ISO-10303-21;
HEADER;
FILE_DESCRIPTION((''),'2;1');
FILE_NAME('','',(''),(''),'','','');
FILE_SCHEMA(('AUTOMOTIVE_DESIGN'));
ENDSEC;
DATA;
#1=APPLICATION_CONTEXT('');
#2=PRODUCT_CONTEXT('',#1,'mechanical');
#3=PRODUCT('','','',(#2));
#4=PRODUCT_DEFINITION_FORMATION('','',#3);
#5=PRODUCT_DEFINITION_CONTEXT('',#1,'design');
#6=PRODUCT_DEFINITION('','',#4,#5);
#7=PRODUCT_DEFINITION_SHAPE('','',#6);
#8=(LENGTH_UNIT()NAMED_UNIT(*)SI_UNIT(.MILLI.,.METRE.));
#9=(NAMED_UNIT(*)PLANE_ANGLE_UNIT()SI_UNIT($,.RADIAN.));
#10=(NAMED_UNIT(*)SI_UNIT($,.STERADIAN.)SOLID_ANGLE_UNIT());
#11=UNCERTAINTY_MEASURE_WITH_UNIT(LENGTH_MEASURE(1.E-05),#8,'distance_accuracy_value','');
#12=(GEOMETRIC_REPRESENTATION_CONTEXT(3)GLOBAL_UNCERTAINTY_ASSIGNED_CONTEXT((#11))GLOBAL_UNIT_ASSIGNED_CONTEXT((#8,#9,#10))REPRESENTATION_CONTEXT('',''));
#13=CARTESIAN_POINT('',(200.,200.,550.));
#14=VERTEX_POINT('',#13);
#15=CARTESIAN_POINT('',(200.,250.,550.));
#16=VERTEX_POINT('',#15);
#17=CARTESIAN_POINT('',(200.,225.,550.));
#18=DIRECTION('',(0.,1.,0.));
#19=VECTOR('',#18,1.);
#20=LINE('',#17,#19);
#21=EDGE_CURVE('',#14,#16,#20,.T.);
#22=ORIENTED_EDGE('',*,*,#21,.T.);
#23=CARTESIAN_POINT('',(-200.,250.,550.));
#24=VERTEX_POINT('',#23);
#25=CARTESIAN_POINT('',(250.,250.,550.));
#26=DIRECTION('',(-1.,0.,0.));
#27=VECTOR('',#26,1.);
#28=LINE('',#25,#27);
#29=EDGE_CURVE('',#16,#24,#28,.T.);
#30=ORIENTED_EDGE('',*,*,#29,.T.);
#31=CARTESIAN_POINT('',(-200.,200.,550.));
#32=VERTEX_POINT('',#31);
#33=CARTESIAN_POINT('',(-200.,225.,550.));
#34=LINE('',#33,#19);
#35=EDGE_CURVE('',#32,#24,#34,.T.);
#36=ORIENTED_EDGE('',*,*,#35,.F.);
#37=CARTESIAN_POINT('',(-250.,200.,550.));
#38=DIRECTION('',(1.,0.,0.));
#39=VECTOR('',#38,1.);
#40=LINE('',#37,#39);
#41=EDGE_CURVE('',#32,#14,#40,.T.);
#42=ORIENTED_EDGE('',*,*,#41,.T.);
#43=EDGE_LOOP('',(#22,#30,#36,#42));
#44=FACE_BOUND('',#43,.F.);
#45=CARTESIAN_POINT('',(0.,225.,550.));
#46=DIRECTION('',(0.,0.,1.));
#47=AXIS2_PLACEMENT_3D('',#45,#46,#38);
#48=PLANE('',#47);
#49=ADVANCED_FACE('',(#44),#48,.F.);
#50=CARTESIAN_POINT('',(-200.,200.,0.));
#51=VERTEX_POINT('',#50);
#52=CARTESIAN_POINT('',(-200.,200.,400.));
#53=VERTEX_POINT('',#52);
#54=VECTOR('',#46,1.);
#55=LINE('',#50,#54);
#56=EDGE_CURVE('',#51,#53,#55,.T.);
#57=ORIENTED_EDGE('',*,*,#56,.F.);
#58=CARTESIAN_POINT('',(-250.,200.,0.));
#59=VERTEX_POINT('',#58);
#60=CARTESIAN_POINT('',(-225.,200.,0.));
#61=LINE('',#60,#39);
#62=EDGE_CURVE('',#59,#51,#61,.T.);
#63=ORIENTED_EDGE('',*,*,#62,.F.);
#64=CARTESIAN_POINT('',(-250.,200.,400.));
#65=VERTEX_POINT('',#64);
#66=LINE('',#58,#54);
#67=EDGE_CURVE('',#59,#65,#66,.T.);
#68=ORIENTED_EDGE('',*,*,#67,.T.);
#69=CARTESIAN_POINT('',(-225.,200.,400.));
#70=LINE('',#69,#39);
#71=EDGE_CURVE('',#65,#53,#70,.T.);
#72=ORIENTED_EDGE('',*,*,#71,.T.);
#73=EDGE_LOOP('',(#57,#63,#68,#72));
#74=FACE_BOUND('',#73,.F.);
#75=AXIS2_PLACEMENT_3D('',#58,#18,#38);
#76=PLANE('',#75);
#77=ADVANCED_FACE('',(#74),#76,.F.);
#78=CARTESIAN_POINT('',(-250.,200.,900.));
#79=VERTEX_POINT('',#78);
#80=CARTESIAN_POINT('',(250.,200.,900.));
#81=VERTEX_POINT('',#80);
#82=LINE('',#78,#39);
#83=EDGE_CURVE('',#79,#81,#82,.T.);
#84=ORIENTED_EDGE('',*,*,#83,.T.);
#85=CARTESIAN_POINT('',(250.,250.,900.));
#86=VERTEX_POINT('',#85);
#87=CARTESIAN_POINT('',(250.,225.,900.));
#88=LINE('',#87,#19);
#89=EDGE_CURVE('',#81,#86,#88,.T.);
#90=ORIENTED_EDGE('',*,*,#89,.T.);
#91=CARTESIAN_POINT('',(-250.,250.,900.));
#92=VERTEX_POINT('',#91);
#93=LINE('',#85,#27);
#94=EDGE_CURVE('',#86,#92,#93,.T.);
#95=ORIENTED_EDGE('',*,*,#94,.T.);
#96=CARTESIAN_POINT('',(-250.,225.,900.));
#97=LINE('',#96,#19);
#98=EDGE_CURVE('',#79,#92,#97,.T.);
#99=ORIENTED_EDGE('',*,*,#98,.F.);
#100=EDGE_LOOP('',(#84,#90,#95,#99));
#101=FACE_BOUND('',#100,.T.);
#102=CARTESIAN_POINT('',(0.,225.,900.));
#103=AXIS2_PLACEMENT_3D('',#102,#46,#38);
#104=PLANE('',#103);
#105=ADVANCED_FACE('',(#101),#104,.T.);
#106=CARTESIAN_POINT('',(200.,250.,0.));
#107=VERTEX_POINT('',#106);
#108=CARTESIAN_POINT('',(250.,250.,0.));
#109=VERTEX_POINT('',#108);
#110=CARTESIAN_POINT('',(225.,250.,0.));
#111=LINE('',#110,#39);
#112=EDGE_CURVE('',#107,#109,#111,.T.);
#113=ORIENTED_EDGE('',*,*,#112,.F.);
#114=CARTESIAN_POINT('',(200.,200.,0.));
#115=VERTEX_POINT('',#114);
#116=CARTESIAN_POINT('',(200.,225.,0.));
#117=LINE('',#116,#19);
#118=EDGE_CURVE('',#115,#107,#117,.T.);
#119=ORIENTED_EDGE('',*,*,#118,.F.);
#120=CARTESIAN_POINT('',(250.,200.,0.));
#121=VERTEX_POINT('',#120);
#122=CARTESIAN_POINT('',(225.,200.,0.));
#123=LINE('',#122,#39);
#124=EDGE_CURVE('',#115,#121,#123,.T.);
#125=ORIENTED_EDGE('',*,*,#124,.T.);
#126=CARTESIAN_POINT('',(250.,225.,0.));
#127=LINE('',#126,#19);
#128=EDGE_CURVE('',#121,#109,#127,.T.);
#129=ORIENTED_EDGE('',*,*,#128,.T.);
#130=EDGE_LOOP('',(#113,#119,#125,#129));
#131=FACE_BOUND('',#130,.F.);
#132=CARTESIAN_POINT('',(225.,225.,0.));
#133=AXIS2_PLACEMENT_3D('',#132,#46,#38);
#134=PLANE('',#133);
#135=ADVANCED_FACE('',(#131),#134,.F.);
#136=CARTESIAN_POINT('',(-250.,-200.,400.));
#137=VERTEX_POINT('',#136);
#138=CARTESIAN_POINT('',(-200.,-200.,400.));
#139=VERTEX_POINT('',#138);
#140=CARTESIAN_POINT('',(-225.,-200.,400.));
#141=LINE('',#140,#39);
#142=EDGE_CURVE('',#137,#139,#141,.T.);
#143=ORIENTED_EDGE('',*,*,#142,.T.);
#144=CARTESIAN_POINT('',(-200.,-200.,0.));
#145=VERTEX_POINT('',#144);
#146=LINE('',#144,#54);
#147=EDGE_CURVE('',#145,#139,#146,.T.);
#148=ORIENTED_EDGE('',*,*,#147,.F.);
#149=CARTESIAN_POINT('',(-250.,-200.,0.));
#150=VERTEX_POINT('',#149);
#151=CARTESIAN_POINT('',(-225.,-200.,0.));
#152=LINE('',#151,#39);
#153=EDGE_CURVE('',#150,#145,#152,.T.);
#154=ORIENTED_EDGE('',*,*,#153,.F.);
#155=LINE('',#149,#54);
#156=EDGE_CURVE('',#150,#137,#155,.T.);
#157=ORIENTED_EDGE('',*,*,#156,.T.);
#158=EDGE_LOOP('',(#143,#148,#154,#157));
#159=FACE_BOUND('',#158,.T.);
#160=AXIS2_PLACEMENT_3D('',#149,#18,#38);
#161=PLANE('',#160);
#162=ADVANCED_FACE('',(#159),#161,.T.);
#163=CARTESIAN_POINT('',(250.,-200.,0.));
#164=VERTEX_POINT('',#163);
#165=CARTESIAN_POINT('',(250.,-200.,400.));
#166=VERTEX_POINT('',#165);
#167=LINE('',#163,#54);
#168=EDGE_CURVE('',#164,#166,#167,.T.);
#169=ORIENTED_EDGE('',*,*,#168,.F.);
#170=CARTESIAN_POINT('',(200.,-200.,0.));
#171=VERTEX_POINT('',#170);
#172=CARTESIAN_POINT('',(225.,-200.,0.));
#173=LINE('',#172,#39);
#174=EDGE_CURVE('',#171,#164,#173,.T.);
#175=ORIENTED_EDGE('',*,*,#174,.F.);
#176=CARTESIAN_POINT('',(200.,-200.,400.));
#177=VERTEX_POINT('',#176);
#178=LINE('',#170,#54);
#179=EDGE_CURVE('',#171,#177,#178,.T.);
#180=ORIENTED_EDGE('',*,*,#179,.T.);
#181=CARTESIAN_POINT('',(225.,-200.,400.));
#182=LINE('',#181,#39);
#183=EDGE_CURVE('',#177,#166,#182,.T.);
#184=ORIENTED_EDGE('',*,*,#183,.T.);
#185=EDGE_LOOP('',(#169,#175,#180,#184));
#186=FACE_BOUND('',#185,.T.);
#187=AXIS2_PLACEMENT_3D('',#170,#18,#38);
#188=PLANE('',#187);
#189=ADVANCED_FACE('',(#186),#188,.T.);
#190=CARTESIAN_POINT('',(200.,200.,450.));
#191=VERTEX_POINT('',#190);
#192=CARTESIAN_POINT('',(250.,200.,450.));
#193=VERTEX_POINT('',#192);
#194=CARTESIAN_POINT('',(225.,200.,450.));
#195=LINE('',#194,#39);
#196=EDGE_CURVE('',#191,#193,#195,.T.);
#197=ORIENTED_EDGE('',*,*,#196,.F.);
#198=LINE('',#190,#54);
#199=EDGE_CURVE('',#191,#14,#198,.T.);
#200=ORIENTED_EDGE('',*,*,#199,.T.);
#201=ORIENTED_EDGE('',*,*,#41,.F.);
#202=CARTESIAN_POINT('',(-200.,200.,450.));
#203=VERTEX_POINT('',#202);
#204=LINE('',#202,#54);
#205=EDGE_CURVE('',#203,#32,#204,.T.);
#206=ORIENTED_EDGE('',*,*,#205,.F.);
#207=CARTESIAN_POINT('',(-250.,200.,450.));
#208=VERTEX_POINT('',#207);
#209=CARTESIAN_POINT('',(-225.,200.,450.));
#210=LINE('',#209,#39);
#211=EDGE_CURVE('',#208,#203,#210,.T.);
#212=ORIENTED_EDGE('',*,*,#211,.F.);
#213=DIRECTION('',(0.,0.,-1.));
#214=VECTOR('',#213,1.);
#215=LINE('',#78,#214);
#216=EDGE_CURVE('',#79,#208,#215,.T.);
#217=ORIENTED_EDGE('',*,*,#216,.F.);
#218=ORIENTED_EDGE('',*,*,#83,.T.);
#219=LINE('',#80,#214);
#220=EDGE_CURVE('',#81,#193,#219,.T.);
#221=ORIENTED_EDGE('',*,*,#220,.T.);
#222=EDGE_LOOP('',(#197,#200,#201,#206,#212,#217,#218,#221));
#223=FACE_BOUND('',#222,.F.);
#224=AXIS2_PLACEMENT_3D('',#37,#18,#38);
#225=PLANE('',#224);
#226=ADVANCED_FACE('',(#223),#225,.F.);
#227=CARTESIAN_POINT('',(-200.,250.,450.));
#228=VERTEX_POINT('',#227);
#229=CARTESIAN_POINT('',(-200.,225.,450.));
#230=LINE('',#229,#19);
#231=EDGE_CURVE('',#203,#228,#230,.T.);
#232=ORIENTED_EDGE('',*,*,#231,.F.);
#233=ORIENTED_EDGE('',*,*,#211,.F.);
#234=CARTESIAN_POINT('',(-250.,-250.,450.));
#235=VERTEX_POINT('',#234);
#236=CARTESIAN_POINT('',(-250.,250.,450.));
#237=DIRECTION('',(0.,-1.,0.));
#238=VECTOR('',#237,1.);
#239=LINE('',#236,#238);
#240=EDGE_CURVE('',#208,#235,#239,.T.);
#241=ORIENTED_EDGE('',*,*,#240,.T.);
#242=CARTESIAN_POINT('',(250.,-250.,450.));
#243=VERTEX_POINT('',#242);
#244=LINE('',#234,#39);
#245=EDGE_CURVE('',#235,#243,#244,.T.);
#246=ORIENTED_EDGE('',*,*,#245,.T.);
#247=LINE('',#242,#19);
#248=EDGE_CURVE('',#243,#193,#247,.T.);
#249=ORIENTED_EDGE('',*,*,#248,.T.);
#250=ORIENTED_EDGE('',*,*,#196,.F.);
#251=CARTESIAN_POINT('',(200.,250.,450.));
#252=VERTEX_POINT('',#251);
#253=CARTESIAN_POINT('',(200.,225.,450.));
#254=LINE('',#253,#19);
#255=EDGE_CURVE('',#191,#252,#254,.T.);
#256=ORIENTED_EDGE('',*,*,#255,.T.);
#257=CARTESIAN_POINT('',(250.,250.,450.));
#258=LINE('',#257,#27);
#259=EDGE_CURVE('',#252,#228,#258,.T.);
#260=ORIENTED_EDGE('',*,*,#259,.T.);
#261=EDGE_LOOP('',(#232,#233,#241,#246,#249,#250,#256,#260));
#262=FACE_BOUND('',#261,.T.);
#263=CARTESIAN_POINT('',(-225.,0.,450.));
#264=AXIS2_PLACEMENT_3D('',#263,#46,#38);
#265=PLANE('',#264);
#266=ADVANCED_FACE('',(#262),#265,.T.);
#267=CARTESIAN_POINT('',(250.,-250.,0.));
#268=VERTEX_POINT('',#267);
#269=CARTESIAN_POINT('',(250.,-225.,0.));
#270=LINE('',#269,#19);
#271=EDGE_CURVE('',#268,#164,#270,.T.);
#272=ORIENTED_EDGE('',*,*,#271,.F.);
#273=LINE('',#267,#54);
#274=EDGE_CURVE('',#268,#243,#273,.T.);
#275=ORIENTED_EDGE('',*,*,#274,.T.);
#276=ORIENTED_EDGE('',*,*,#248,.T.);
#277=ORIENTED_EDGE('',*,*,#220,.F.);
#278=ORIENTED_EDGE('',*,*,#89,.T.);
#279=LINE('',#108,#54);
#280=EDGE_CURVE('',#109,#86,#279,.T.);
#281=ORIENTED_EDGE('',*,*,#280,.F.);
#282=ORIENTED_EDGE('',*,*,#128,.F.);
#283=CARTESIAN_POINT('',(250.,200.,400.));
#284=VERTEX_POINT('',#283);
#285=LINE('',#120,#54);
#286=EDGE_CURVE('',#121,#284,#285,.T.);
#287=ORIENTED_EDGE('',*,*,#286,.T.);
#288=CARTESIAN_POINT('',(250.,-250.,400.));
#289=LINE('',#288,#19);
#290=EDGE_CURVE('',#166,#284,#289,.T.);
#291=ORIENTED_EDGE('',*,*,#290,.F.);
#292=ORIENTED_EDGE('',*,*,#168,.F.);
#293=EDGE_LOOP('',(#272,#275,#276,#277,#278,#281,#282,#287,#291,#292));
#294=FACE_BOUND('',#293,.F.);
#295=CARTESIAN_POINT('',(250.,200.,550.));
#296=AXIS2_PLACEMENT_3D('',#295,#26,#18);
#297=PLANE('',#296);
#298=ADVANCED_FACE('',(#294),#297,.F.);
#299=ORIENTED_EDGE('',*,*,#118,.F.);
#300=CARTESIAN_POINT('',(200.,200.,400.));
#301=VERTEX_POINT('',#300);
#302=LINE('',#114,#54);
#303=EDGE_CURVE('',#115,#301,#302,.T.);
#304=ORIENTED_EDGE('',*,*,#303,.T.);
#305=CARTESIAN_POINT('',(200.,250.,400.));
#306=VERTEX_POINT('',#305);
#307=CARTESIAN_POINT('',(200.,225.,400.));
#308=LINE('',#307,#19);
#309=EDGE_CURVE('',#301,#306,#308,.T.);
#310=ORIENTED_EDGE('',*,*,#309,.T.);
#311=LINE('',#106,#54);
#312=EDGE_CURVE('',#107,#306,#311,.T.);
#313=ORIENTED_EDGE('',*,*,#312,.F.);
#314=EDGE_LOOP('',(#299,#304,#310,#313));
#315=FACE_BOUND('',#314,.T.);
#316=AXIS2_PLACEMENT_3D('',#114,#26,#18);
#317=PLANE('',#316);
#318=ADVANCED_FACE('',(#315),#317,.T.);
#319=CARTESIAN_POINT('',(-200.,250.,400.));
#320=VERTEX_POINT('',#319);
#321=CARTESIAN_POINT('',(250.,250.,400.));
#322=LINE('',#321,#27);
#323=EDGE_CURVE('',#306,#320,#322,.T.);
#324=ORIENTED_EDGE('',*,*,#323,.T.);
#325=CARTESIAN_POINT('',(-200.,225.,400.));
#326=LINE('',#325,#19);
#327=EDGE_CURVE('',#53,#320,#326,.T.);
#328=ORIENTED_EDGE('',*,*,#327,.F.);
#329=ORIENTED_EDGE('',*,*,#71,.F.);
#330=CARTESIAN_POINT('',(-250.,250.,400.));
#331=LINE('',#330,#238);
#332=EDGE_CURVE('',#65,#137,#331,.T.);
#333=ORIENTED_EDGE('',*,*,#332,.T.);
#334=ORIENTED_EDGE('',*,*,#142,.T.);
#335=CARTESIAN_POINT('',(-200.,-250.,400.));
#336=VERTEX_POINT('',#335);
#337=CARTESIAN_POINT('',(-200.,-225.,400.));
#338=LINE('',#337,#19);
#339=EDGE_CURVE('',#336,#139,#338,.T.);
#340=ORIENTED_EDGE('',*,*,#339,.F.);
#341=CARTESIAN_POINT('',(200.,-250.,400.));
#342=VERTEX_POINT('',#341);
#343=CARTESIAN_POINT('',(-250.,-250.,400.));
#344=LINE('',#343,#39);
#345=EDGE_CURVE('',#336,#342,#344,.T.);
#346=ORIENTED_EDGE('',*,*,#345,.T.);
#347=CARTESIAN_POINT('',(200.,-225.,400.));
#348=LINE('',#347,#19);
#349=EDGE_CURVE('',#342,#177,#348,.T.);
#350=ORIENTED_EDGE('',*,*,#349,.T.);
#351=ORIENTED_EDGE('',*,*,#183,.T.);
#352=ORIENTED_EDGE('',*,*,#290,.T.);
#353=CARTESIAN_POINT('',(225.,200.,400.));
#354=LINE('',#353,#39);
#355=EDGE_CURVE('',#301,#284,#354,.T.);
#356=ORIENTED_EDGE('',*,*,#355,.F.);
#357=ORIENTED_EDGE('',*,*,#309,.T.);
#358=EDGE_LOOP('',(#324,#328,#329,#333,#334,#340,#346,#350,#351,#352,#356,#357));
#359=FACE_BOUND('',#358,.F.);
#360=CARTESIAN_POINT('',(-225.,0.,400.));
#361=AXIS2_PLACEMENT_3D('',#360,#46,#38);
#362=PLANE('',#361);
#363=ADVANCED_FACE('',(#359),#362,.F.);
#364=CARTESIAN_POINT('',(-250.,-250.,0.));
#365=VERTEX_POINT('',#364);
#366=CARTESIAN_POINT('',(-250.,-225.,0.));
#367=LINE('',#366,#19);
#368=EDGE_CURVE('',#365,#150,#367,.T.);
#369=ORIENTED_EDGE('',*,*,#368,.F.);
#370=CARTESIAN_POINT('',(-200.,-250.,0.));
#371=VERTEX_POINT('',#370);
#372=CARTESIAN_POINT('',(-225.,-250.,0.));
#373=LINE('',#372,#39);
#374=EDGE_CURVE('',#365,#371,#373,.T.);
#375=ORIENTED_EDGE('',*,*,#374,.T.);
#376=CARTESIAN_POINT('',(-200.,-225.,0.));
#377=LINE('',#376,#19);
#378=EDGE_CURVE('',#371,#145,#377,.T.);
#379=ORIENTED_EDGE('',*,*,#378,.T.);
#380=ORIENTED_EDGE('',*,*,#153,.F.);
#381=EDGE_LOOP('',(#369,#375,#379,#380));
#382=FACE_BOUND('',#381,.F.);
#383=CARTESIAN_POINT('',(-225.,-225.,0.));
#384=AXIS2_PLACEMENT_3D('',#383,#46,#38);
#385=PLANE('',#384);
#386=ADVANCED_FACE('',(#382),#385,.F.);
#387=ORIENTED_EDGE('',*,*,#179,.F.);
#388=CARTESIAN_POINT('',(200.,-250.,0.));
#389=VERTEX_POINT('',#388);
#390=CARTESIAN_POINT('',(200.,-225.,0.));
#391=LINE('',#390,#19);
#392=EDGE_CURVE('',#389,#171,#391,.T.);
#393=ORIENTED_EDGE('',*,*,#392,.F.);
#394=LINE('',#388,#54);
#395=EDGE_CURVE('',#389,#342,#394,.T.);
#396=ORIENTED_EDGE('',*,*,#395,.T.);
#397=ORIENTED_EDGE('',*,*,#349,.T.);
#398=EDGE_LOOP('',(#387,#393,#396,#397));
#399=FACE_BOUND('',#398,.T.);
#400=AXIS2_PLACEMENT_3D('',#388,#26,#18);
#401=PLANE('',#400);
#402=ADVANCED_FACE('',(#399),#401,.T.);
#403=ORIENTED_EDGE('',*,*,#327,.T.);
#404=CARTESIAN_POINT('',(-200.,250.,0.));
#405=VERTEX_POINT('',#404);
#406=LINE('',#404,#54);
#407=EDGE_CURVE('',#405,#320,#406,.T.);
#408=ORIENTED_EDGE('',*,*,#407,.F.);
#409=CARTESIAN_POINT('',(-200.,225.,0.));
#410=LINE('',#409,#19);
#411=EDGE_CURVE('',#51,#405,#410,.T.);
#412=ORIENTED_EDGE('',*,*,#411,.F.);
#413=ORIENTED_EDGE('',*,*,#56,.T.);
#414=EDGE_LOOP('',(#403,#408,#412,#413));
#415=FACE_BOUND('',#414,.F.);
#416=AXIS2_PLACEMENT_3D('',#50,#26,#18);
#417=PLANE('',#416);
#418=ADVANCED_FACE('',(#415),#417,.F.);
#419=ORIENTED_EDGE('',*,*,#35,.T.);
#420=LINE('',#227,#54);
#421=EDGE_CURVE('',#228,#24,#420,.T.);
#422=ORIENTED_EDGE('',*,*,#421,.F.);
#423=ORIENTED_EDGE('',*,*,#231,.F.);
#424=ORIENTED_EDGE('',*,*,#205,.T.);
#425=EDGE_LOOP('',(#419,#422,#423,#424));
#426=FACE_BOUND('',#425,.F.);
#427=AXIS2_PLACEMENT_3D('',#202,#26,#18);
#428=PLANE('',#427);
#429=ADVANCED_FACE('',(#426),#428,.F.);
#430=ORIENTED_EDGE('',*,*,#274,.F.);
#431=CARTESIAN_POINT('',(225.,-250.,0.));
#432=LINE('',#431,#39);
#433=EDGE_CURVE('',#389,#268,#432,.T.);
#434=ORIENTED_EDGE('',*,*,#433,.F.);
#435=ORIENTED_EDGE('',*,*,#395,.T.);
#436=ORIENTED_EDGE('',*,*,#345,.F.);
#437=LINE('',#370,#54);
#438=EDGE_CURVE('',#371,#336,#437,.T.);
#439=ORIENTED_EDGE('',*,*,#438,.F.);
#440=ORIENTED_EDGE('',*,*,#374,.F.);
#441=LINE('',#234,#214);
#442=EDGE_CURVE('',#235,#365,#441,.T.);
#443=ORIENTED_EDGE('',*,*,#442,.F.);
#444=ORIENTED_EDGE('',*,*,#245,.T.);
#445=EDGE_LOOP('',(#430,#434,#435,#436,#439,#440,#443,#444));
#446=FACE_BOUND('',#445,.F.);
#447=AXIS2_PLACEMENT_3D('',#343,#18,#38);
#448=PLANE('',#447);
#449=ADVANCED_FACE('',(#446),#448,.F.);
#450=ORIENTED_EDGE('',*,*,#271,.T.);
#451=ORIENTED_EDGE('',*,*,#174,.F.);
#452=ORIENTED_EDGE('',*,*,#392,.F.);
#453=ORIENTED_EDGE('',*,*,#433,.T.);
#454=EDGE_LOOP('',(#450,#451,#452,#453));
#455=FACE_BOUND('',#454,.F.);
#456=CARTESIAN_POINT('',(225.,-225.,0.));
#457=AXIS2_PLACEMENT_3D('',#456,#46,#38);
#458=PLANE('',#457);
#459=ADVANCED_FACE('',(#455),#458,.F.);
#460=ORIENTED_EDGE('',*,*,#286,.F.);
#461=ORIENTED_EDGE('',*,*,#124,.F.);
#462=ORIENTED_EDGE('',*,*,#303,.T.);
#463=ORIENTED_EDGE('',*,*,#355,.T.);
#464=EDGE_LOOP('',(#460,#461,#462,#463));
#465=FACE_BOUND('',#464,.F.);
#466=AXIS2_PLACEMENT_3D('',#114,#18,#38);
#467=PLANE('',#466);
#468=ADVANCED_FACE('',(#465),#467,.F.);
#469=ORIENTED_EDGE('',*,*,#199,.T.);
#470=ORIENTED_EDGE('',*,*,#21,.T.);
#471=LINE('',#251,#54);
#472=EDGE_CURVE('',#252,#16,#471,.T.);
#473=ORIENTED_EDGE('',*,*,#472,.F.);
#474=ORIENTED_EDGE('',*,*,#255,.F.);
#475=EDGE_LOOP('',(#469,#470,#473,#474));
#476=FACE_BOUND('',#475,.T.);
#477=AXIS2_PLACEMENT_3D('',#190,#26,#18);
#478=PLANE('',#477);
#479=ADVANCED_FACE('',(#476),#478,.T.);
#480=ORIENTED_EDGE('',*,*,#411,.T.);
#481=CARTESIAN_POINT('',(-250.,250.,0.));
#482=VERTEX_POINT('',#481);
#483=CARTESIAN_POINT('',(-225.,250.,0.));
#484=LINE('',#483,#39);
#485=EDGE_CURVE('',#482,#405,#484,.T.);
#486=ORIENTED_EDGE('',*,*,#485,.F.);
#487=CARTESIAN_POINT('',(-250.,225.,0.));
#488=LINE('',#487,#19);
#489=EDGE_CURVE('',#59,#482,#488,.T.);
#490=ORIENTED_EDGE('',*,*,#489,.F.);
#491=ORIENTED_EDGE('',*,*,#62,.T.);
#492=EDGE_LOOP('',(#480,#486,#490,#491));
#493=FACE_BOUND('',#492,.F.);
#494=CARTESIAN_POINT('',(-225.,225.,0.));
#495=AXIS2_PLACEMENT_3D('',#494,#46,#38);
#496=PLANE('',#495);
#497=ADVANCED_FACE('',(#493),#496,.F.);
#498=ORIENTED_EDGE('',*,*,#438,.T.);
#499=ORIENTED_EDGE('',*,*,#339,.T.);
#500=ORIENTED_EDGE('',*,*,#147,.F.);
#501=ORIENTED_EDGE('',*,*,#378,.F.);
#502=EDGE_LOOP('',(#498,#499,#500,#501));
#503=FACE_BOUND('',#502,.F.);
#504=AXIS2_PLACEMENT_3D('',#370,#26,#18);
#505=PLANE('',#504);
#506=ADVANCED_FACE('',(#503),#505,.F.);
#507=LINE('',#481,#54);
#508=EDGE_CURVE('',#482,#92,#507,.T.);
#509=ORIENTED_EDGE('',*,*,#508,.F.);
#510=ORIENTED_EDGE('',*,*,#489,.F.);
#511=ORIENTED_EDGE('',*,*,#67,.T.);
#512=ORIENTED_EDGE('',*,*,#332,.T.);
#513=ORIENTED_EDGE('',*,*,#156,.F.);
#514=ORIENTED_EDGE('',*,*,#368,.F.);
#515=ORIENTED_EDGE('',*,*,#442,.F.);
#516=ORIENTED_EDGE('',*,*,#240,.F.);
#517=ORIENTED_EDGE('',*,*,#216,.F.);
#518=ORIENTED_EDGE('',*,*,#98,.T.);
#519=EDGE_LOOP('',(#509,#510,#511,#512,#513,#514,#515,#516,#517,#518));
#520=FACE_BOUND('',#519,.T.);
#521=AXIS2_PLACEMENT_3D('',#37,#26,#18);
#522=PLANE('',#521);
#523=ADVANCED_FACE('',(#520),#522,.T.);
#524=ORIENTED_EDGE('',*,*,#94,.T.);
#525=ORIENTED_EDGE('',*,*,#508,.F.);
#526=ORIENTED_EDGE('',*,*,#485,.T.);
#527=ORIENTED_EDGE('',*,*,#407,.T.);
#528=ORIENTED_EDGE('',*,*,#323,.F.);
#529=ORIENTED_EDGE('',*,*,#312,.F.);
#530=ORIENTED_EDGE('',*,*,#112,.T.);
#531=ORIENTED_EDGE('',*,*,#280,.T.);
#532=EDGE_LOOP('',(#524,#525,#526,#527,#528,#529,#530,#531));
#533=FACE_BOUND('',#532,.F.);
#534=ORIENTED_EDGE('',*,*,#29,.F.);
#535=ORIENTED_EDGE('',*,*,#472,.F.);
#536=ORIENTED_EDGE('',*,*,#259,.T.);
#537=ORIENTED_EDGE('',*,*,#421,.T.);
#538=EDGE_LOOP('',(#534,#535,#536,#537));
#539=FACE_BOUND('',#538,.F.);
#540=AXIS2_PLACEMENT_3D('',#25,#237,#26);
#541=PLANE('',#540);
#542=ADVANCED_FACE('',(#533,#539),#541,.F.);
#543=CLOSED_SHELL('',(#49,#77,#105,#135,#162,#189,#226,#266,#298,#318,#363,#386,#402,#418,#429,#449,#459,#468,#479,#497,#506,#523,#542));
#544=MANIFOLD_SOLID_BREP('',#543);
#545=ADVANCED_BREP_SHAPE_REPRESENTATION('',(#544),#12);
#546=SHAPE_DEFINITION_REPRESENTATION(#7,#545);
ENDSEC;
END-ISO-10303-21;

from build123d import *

# Parameters (mm, degrees)
F0_W     = 50
F0_H     = 50
F1_DEPTH = 400
F2_START = 400
F0_H_2   = 400
F0_W_2   = 400
F2_DEPTH = 50
F3_START = 450
F3_DEPTH = 100
F4_START = 550
F4_DEPTH = 350


with BuildPart() as f1:
    # F0 (on Top) → F1 (new body)
    with BuildSketch(Plane.XY):
        with Locations((225, 225)):
            Rectangle(F0_W, F0_H)
    extrude(amount=F1_DEPTH)



with BuildPart() as f1b:
    # F0 (on Top) → F1, piece 2 (new body)
    with BuildSketch(Plane.XY):
        with Locations((-225, 225)):
            Rectangle(F0_W, F0_H)
    extrude(amount=F1_DEPTH)


with BuildPart() as f1c:
    # F0 (on Top) → F1, piece 3 (new body)
    with BuildSketch(Plane.XY):
        with Locations((-225, -225)):
            Rectangle(F0_W, F0_H)
    extrude(amount=F1_DEPTH)


with BuildPart() as f1d:
    # F0 (on Top) → F1, piece 4 (new body)
    with BuildSketch(Plane.XY):
        with Locations((225, -225)):
            Rectangle(F0_W, F0_H)
    extrude(amount=F1_DEPTH)


with BuildPart() as f1_1:
    add(f1.part)

    add(f1b.part)  # F2 merges F1b

    add(f1c.part)  # F2 merges F1c

    add(f1d.part)  # F2 merges F1d
    # F0 (on Top) → F2 (join)
    with BuildSketch(Plane.XY.offset(F2_START)):
        with Locations((-225, 0)):
            Rectangle(F0_W, F0_H_2)
        Rectangle(F0_W_2, F0_H_2)
        with Locations((0, 225)):
            Rectangle(F0_W_2, F0_H)
        with Locations((225, 0)):
            Rectangle(F0_W, F0_H_2)
        with Locations((0, -225)):
            Rectangle(F0_W_2, F0_H)
        with Locations((-225, -225)):
            Rectangle(F0_W, F0_H)
        with Locations((-225, 225)):
            Rectangle(F0_W, F0_H)
        with Locations((225, 225)):
            Rectangle(F0_W, F0_H)
        with Locations((225, -225)):
            Rectangle(F0_W, F0_H)
    extrude(amount=F2_DEPTH)

    # F0 (on Top) → F3 (join)
    with BuildSketch(Plane.XY.offset(F3_START)):
        with Locations((225, 225)):
            Rectangle(F0_W, F0_H)
        with Locations((-225, 225)):
            Rectangle(F0_W, F0_H)
    extrude(amount=F3_DEPTH)

    # F0 (on Top) → F4 (join)
    with BuildSketch(Plane.XY.offset(F4_START)):
        with Locations((0, 225)):
            Rectangle(F0_W_2, F0_H)
        with Locations((225, 225)):
            Rectangle(F0_W, F0_H)
        with Locations((-225, 225)):
            Rectangle(F0_W, F0_H)
    extrude(amount=F4_DEPTH)


solid = f1_1.part
